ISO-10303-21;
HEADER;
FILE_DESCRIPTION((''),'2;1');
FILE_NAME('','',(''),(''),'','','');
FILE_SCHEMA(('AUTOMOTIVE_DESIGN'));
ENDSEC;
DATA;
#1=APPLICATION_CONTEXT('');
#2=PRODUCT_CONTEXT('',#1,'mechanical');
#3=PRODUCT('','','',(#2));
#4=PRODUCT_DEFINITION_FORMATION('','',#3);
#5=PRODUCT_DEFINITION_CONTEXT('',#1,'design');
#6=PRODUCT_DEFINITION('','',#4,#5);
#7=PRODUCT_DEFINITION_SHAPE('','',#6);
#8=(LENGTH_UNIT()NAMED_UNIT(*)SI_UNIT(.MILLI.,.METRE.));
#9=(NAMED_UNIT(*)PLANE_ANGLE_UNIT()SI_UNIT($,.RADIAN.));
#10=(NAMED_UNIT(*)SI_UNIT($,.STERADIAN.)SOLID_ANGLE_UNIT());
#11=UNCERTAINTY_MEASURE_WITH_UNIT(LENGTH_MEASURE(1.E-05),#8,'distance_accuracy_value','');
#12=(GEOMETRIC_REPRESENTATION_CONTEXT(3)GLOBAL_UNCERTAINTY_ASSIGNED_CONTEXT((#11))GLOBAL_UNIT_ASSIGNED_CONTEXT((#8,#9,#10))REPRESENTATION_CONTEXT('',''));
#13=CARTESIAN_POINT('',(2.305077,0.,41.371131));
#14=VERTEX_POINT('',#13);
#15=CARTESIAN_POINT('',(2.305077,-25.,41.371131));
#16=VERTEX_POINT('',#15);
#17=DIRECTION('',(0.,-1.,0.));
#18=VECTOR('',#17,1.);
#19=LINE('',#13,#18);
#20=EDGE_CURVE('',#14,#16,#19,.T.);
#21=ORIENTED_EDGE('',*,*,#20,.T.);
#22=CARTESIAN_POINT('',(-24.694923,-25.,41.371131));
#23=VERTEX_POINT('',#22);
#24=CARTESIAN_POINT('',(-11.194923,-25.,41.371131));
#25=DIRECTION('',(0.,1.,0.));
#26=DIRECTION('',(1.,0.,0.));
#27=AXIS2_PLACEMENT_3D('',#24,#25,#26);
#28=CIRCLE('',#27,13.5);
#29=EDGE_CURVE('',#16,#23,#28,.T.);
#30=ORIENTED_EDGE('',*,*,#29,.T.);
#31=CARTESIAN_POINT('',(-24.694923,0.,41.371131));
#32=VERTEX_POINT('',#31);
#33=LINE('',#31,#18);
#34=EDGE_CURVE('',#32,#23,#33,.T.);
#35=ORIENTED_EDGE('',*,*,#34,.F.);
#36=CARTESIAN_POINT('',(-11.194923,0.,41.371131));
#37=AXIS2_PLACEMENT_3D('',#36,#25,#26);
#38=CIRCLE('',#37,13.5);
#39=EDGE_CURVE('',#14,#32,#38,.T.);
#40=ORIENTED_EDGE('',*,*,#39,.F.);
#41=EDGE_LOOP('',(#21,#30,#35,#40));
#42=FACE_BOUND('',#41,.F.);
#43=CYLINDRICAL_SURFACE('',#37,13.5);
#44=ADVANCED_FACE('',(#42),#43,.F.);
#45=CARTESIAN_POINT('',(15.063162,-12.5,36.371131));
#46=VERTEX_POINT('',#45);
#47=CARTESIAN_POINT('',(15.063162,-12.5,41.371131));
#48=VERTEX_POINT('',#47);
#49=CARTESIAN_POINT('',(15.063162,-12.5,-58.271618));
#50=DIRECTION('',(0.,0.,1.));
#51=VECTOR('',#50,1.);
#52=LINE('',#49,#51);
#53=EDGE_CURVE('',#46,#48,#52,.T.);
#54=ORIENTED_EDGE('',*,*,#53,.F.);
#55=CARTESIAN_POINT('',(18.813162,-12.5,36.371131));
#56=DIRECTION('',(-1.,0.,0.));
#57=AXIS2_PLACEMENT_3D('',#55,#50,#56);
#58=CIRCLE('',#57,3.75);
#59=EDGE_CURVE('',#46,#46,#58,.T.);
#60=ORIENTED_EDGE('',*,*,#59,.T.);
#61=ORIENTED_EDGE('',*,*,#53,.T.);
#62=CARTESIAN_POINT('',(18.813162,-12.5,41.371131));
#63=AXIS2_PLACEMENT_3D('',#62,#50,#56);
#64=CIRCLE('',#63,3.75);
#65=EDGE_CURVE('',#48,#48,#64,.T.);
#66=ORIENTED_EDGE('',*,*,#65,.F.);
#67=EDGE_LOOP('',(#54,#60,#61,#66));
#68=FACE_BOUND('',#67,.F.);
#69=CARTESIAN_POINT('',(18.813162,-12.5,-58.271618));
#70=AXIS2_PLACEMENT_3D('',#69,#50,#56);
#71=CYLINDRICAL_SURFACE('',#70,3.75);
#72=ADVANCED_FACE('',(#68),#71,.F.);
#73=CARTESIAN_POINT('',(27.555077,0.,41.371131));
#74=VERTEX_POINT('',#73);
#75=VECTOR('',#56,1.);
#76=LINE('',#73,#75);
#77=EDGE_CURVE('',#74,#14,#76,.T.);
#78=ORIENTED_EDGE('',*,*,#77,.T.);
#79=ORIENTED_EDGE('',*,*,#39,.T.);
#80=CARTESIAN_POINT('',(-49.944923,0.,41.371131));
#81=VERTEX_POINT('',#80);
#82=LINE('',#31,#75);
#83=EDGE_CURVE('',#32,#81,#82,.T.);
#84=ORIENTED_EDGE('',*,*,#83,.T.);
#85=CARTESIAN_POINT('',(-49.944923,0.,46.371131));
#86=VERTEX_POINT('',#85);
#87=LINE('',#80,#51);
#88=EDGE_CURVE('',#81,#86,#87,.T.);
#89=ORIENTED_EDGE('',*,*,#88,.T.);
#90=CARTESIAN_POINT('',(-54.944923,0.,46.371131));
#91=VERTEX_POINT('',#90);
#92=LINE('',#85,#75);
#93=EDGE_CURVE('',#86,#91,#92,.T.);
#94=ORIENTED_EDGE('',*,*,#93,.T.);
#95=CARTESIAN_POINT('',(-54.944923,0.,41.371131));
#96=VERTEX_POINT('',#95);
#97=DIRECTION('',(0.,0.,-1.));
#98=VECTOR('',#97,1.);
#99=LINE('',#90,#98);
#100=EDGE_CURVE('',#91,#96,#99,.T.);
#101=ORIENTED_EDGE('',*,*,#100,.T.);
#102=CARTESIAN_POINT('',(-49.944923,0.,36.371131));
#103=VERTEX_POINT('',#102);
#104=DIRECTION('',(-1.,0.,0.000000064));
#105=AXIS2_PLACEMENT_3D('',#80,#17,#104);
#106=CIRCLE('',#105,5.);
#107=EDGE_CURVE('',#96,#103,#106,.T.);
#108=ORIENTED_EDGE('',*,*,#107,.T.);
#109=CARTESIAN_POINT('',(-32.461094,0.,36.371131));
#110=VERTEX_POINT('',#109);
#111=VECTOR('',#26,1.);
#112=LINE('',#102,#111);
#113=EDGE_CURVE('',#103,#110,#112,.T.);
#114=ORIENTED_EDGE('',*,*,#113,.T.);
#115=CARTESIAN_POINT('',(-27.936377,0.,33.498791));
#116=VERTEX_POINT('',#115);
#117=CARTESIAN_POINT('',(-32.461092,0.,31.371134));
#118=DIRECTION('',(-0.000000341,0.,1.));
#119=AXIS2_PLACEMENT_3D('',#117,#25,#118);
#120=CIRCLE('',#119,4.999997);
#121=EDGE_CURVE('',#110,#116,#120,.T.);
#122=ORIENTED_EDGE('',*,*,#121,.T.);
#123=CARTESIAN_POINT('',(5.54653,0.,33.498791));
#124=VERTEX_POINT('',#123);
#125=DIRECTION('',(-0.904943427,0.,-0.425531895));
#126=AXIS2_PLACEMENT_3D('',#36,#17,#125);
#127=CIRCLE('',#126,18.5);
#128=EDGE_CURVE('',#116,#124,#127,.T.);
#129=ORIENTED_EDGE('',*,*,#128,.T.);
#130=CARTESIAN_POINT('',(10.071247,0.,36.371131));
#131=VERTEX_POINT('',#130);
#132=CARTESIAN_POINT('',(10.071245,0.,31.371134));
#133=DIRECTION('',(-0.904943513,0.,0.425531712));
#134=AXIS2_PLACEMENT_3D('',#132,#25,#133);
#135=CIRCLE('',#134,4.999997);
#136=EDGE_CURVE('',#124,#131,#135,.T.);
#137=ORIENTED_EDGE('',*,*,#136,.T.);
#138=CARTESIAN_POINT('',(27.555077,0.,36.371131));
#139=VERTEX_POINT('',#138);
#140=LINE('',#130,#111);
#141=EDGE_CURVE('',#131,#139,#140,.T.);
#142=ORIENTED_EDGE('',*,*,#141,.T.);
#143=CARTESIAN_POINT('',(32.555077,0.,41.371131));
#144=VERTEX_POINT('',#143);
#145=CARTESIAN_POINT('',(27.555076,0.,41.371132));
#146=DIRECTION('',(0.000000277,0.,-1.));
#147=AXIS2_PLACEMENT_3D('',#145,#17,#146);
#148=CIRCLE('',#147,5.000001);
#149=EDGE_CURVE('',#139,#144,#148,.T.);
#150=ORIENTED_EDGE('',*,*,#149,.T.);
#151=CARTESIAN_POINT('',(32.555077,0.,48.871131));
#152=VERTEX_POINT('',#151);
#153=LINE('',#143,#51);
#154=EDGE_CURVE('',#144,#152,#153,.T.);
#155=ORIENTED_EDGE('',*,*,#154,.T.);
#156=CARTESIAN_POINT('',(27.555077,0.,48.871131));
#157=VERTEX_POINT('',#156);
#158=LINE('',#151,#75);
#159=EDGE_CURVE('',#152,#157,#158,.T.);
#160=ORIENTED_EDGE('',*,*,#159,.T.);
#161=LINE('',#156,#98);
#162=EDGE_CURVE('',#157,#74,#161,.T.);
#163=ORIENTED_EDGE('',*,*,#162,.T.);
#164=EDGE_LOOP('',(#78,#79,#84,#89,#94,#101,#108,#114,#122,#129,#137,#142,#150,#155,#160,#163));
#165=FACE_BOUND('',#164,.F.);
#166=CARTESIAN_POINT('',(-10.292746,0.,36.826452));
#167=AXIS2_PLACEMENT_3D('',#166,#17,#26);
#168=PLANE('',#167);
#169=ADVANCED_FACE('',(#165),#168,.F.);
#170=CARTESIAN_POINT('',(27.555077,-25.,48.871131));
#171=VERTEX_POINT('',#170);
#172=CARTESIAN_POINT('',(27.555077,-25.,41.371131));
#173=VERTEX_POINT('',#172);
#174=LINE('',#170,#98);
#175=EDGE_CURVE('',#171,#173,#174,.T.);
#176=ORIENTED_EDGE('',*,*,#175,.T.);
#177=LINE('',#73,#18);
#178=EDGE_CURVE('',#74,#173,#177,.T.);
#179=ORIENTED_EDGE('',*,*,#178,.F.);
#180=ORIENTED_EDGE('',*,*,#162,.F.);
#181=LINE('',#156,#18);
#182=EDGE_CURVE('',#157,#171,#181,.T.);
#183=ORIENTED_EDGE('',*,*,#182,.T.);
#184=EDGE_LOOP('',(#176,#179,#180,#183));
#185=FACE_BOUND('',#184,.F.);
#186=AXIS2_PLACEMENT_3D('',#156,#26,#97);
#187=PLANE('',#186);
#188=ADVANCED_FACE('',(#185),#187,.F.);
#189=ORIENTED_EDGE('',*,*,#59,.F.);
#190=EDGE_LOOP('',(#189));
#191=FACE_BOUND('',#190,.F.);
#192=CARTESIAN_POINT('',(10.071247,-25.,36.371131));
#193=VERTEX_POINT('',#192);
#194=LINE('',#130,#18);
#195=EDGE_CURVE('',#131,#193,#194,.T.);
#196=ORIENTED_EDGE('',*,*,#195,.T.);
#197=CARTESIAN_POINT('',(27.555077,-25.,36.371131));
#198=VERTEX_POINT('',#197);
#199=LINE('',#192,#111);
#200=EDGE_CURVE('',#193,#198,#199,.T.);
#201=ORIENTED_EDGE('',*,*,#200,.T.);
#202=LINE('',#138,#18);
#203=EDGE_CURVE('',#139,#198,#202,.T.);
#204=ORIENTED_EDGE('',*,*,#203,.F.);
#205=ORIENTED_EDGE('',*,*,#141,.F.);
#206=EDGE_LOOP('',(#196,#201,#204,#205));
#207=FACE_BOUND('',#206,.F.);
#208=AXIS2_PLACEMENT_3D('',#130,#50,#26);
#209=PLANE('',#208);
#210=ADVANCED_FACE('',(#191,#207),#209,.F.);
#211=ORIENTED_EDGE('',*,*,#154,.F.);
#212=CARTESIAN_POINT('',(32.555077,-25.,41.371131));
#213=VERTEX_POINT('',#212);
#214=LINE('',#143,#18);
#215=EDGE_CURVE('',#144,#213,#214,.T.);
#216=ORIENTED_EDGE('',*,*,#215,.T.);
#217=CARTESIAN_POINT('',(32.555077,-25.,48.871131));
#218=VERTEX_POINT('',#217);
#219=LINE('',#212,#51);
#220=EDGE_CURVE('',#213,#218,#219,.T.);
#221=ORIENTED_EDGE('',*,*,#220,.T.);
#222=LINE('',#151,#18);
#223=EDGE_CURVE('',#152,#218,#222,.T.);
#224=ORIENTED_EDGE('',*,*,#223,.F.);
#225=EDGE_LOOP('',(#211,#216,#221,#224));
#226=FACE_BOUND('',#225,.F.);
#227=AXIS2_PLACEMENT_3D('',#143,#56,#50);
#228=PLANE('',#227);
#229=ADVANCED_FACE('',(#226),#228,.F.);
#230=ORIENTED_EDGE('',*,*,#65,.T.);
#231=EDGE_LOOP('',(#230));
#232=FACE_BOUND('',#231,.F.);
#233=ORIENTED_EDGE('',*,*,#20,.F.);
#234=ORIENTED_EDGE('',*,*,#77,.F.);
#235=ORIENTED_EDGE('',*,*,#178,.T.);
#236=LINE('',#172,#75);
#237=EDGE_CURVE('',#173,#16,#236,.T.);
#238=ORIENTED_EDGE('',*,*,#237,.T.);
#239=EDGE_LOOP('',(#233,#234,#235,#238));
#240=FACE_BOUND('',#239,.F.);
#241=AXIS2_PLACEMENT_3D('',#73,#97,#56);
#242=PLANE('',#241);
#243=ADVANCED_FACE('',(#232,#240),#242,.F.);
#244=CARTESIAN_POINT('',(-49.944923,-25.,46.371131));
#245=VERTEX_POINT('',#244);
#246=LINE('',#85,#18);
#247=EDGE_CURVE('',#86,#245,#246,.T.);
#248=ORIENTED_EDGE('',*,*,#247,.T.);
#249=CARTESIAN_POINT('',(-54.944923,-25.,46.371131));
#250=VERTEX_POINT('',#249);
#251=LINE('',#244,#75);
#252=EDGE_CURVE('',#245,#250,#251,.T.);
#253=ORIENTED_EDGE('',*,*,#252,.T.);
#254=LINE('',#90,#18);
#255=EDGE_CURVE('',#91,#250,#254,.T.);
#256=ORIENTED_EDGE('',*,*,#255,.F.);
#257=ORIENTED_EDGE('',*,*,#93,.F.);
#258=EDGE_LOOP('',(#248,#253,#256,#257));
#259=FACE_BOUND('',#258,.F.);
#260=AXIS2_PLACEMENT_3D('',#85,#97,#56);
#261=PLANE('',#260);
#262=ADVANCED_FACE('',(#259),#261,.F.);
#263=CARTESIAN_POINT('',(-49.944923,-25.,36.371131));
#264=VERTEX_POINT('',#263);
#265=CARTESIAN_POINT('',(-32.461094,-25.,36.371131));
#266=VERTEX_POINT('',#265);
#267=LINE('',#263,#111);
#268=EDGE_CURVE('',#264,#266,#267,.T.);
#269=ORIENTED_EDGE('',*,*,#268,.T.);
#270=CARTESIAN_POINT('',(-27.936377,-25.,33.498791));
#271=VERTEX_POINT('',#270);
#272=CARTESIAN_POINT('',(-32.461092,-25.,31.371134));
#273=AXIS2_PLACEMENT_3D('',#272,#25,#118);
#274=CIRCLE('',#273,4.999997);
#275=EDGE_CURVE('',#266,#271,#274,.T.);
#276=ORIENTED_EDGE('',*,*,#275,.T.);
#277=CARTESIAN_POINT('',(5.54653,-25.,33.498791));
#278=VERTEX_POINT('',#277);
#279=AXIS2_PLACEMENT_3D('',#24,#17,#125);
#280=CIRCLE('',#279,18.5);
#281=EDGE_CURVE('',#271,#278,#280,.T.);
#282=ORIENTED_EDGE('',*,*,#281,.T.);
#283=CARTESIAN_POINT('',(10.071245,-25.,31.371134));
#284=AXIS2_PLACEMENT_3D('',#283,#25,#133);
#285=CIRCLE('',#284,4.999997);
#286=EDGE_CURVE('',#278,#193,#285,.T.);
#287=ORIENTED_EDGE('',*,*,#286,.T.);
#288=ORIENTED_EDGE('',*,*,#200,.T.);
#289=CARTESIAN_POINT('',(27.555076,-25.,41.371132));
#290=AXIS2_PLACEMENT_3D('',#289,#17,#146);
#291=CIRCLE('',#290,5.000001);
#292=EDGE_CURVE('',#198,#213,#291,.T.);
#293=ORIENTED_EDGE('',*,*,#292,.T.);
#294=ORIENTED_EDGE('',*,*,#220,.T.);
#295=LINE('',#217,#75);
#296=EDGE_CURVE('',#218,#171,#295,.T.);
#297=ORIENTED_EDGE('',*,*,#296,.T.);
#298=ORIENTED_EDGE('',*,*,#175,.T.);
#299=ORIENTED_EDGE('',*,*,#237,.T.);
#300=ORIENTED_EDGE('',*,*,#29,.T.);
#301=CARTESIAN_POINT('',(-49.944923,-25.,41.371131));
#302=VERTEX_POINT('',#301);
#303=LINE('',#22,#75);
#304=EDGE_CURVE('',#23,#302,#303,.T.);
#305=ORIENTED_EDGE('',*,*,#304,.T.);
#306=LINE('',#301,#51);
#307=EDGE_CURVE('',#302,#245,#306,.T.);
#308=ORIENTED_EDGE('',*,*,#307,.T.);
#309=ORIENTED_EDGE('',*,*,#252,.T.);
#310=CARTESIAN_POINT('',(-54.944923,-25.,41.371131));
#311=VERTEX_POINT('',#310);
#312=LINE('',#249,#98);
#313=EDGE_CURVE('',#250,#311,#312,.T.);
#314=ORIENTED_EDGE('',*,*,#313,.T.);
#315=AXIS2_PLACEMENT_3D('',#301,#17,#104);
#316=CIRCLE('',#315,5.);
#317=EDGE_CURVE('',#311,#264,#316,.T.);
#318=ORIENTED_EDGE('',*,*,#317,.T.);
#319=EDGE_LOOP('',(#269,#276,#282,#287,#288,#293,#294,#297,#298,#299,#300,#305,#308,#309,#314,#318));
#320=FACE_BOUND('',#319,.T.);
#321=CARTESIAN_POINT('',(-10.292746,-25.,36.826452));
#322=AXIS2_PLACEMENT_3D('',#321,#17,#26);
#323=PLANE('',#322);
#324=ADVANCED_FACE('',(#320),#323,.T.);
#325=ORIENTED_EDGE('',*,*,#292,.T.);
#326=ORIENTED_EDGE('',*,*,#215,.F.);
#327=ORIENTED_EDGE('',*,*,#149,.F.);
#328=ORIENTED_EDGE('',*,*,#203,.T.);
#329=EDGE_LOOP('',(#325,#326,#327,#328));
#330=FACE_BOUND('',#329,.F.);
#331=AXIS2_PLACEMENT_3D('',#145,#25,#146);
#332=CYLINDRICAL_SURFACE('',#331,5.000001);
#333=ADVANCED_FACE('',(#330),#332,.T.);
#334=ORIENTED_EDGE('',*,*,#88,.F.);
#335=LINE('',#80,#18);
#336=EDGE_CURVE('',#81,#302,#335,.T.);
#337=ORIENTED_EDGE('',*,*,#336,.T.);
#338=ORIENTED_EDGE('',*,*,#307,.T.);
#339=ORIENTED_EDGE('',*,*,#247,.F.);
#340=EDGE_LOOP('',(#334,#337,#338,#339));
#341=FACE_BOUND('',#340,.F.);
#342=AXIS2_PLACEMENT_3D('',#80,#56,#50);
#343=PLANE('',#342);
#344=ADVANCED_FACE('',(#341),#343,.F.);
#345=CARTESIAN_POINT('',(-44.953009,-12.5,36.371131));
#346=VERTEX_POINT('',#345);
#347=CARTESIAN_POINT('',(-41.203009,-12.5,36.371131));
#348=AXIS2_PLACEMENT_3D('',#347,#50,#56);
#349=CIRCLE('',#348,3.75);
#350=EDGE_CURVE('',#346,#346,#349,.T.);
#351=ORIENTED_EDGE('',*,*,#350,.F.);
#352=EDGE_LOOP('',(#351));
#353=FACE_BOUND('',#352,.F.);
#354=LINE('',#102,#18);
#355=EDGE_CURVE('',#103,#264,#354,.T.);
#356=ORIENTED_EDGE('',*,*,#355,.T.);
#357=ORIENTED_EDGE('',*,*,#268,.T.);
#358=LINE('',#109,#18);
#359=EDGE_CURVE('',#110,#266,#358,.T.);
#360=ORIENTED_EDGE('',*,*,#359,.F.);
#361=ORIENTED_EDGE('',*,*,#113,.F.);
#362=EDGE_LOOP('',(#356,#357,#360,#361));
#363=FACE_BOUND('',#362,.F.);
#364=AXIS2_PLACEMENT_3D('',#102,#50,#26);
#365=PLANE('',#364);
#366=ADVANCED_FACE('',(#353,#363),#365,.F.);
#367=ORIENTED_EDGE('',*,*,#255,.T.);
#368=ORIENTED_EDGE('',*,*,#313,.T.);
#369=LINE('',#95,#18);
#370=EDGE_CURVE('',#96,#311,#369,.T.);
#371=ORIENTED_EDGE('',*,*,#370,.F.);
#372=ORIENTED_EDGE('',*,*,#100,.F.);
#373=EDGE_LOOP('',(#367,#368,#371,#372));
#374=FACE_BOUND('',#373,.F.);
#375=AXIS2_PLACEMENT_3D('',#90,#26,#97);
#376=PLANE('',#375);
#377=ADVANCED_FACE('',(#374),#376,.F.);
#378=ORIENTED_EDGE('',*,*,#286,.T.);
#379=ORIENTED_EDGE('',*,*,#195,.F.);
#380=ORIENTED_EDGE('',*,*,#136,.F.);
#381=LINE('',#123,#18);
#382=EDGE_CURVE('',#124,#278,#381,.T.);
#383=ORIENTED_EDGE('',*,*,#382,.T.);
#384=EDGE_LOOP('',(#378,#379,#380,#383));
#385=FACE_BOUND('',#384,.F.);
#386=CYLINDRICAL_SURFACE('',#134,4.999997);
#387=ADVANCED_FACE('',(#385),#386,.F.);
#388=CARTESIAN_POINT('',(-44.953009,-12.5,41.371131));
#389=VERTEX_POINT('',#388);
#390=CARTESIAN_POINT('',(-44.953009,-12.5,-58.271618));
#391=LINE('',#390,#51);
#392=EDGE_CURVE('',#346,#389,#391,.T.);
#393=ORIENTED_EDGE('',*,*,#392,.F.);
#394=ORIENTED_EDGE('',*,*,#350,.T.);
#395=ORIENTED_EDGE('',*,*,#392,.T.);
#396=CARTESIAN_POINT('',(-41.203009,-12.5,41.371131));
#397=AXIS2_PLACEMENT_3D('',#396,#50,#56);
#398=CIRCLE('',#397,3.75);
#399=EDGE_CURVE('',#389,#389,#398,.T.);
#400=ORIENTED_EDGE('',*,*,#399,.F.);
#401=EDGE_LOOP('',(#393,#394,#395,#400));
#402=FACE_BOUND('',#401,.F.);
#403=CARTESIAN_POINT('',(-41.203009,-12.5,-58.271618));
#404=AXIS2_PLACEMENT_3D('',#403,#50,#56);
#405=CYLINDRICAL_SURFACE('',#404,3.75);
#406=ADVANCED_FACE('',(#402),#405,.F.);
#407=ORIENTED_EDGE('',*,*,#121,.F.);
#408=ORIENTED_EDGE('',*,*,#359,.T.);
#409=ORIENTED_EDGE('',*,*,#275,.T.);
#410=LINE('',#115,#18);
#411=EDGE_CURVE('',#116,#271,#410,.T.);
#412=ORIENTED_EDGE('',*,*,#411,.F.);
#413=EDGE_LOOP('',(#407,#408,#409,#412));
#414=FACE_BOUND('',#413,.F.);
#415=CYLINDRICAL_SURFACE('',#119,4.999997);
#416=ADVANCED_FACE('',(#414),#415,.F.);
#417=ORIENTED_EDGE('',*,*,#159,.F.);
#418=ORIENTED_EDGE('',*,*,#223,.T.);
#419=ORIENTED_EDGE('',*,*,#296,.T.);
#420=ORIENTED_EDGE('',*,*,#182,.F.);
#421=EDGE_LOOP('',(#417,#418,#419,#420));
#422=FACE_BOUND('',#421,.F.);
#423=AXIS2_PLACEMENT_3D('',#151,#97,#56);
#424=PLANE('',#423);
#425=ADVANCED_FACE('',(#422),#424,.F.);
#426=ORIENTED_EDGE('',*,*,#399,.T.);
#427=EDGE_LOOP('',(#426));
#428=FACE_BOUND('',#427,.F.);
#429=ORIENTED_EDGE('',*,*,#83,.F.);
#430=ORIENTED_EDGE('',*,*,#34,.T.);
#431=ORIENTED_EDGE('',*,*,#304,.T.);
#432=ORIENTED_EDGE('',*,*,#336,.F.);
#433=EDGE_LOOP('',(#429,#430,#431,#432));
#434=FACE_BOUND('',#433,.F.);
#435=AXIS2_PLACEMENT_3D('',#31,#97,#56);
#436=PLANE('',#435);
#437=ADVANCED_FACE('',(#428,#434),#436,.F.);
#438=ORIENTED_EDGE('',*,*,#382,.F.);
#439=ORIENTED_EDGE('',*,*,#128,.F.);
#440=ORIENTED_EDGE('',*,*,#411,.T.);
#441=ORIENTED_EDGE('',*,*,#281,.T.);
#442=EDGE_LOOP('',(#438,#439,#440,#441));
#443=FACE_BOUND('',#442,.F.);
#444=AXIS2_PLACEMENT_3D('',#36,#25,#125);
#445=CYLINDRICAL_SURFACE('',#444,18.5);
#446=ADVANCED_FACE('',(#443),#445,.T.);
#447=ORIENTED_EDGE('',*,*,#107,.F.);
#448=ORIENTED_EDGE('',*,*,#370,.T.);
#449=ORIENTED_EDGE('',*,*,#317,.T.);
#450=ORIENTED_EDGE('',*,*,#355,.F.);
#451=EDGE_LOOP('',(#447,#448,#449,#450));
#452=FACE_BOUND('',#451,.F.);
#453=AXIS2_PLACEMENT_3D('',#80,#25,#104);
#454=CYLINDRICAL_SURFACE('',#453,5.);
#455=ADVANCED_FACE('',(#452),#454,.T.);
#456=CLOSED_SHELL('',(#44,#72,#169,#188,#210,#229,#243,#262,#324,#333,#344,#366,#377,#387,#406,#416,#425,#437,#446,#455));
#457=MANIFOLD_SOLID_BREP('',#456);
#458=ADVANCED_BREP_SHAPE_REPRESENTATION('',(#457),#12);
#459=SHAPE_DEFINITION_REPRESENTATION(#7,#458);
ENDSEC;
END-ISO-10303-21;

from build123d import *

# Parameters (mm, degrees)
F1_DEPTH = 25
F3_D     = 7.5
F4_D     = 7.5


with BuildPart() as f1:
    # F0 (on Front) → F1 (new body)
    with BuildSketch(Plane.XZ):
        with BuildLine():
            Line((-49.944923, 46.371131), (-54.944923, 46.371131))
            Line((-54.944923, 46.371131), (-54.944923, 41.371131))
            ThreePointArc((-54.944923, 41.371131), (-53.480457, 37.835597), (-49.944923, 36.371131))
            Line((-49.944923, 36.371131), (-32.461094, 36.371131))
            ThreePointArc((-32.461094, 36.371131), (-29.781383, 35.592405), (-27.936377, 33.498791))
            ThreePointArc((-27.936377, 33.498791), (-11.194923, 22.871131), (5.54653, 33.498791))
            ThreePointArc((5.54653, 33.498791), (7.391536, 35.592405), (10.071247, 36.371131))
            Line((10.071247, 36.371131), (27.555077, 36.371131))
            ThreePointArc((27.555077, 36.371131), (31.09061, 37.835597), (32.555077, 41.371131))
            Line((32.555077, 41.371131), (32.555077, 48.871131))
            Line((32.555077, 48.871131), (27.555077, 48.871131))
            Line((27.555077, 48.871131), (27.555077, 41.371131))
            Line((27.555077, 41.371131), (2.305077, 41.371131))
            ThreePointArc((2.305077, 41.371131), (-11.194923, 27.871131), (-24.694923, 41.371131))
            Line((-24.694923, 41.371131), (-49.944923, 41.371131))
            Line((-49.944923, 41.371131), (-49.944923, 46.371131))
        make_face()
    extrude(amount=F1_DEPTH)

    # F3 (through all)
    with Locations(Plane(origin=(0, 0, 36.371131), x_dir=(1, 0, 0), z_dir=(0, 0, -1))):
        with Locations((-41.203009, 12.5)):
            Hole(F3_D / 2)

    # F4 (through all)
    with Locations(Plane(origin=(0, 0, 36.371131), x_dir=(1, 0, 0), z_dir=(0, 0, -1))):
        with Locations((18.813162, 12.5)):
            Hole(F4_D / 2)


solid = f1.part
